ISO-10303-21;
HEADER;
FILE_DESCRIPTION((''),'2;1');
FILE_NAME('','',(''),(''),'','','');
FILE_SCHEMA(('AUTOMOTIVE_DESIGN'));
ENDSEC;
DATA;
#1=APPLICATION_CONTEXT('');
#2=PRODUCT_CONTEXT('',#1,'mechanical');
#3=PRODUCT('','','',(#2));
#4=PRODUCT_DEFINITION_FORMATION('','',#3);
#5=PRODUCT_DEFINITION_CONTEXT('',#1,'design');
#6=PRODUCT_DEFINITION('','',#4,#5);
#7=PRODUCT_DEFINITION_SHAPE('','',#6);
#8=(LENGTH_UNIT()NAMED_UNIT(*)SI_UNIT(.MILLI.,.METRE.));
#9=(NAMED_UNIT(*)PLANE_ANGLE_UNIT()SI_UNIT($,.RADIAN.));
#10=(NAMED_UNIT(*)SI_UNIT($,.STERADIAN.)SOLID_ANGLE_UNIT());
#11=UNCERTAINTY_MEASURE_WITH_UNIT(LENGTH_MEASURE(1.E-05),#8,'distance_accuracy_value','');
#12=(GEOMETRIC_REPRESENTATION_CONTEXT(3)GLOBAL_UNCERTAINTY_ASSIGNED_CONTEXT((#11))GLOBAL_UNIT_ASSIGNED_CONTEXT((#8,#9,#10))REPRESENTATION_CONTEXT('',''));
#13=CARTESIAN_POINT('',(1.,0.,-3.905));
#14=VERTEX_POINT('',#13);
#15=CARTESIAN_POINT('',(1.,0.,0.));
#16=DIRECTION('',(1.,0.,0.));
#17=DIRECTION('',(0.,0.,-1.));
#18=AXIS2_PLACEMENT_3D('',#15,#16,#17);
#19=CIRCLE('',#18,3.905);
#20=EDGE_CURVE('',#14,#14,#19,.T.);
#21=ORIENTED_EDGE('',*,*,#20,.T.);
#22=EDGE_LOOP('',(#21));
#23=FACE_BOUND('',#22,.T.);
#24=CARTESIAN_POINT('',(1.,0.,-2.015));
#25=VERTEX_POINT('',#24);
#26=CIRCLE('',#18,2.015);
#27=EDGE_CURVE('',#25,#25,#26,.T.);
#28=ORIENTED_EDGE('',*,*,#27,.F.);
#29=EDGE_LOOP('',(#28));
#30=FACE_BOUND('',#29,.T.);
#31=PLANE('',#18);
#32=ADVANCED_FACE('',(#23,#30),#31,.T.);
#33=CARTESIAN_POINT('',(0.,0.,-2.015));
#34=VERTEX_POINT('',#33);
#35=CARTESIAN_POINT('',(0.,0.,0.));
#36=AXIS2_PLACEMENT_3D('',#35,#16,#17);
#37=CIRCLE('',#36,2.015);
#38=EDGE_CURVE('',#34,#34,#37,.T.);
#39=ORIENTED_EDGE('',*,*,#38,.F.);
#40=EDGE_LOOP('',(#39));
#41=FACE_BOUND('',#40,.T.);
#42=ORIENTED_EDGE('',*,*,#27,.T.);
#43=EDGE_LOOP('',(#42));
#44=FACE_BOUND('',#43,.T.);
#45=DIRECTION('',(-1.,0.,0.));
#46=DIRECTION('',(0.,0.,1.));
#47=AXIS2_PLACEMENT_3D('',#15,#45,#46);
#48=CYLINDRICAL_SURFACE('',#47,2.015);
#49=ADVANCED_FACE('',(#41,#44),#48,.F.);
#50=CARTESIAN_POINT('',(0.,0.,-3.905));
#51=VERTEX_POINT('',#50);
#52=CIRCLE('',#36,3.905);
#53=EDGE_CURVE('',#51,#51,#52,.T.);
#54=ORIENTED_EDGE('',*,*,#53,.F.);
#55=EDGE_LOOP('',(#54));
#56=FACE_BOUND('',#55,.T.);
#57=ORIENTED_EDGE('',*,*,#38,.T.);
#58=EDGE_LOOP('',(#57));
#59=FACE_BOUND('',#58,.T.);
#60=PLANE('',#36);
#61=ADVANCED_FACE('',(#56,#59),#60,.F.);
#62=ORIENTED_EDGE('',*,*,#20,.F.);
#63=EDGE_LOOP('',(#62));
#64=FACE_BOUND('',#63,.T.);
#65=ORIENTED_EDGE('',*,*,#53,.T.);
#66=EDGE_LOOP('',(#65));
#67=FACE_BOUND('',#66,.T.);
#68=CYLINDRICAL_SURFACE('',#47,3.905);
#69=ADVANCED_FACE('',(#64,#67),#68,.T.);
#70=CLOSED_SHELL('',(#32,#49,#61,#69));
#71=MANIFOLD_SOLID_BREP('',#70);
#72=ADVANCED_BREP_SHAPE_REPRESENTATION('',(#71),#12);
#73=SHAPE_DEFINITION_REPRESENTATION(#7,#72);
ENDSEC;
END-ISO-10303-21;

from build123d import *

# Parameters (mm, degrees)
SKETCH1_R          = 3.905
SKETCH1_R_2        = 2.015
BASE_EXTRUDE_DEPTH = 1


with BuildPart() as part:
    # Sketch1 → Base-Extrude (new body)
    with BuildSketch(Plane(origin=(0, 0, 0), x_dir=(0, 0, -1), z_dir=(1, 0, 0))):
        Circle(SKETCH1_R)
        Circle(SKETCH1_R_2, mode=Mode.SUBTRACT)
    extrude(amount=BASE_EXTRUDE_DEPTH)


solid = part.part
